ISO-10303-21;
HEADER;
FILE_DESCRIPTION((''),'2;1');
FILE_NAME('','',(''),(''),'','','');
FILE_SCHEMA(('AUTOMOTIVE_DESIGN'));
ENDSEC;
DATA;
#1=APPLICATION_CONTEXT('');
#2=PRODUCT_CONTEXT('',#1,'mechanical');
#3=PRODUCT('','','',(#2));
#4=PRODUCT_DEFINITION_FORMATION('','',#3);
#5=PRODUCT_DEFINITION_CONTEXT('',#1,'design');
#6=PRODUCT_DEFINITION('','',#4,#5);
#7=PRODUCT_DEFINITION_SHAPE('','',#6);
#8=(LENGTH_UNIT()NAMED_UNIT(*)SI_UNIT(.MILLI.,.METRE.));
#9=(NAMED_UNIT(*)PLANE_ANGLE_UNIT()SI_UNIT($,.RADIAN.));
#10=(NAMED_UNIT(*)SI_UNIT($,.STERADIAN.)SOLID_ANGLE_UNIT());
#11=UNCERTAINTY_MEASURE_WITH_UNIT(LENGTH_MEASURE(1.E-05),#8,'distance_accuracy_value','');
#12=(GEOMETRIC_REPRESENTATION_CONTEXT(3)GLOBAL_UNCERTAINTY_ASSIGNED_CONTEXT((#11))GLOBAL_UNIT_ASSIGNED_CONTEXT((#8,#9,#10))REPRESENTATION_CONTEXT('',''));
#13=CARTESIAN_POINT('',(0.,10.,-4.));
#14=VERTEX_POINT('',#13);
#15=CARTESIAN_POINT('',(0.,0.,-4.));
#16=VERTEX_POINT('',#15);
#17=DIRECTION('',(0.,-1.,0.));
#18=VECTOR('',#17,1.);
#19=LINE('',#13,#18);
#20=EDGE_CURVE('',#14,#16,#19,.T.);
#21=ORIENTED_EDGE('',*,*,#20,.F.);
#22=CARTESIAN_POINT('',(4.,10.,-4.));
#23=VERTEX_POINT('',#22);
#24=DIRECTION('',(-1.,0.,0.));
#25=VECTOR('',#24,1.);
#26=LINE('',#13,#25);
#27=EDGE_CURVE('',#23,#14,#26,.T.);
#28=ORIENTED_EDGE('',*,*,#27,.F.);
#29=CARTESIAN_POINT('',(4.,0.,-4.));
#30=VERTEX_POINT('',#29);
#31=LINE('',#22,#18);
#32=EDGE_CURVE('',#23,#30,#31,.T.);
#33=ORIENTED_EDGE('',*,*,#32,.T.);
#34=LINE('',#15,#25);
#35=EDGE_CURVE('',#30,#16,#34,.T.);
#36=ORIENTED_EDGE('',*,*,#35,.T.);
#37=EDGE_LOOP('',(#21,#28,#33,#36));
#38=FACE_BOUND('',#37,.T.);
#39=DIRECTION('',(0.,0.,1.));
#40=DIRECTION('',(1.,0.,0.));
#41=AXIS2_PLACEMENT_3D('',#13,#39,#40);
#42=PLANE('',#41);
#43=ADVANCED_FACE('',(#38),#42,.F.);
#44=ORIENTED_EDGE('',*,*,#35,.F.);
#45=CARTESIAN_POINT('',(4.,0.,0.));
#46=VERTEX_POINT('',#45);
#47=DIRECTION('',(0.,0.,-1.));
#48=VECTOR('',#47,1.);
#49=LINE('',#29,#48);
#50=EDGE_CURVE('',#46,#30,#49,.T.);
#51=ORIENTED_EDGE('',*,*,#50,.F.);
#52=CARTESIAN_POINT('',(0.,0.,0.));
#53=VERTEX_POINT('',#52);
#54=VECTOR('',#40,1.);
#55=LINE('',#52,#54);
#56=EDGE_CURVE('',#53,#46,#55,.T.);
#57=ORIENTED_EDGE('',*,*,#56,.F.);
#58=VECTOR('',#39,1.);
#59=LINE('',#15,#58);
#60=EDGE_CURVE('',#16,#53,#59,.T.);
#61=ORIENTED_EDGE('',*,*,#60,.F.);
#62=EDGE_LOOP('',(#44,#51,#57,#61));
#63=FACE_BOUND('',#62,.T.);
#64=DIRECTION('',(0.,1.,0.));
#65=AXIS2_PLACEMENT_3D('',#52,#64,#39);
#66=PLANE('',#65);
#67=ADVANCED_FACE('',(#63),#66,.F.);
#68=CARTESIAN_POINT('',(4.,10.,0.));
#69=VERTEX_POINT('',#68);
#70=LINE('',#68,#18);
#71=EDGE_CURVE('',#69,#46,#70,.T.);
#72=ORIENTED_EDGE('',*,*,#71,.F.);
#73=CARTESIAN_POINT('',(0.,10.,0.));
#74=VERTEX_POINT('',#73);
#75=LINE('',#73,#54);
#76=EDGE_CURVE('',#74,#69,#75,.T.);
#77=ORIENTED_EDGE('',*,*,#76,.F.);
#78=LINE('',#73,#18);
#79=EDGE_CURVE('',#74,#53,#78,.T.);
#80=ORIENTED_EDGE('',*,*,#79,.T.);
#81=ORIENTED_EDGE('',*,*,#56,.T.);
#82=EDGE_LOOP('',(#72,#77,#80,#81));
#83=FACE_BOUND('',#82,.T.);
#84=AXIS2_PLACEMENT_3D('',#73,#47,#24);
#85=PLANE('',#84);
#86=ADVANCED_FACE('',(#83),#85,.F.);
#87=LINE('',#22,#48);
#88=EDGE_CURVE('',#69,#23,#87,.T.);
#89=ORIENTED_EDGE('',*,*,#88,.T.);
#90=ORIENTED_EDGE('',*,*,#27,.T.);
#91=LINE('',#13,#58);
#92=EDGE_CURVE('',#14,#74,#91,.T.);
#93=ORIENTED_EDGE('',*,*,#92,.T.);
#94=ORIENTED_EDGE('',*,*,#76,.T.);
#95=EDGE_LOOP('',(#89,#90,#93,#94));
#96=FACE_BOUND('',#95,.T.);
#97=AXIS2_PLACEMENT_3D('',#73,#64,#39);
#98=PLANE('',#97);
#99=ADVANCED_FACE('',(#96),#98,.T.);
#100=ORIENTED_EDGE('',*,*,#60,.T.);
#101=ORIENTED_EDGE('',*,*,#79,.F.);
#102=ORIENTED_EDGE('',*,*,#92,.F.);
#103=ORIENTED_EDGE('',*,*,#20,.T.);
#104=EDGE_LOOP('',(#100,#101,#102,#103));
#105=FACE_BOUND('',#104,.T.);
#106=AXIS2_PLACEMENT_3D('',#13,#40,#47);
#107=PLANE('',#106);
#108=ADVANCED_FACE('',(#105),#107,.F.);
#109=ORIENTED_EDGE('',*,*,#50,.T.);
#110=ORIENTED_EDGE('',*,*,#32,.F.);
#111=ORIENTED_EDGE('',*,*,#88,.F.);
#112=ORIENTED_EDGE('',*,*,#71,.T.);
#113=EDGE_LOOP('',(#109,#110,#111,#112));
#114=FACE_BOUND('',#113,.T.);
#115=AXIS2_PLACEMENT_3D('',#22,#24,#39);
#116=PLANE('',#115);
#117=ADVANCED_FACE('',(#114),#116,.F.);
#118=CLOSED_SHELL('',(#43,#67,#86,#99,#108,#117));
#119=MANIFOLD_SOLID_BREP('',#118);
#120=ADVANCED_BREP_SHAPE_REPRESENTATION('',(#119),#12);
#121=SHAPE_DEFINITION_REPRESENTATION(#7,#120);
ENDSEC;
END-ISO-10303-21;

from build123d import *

# Parameters (mm, degrees)
SKETCH1_W           = 4
SKETCH1_H           = 4
BOSS_EXTRUDE1_DEPTH = 10


with BuildPart() as part:
    # Sketch1 → Boss-Extrude1 (new body)
    with BuildSketch(Plane(origin=(0, 0, 0), x_dir=(1, 0, 0), z_dir=(0, 1, 0))):
        with Locations((2, 2)):
            Rectangle(SKETCH1_W, SKETCH1_H)
    extrude(amount=BOSS_EXTRUDE1_DEPTH)


solid = part.part
